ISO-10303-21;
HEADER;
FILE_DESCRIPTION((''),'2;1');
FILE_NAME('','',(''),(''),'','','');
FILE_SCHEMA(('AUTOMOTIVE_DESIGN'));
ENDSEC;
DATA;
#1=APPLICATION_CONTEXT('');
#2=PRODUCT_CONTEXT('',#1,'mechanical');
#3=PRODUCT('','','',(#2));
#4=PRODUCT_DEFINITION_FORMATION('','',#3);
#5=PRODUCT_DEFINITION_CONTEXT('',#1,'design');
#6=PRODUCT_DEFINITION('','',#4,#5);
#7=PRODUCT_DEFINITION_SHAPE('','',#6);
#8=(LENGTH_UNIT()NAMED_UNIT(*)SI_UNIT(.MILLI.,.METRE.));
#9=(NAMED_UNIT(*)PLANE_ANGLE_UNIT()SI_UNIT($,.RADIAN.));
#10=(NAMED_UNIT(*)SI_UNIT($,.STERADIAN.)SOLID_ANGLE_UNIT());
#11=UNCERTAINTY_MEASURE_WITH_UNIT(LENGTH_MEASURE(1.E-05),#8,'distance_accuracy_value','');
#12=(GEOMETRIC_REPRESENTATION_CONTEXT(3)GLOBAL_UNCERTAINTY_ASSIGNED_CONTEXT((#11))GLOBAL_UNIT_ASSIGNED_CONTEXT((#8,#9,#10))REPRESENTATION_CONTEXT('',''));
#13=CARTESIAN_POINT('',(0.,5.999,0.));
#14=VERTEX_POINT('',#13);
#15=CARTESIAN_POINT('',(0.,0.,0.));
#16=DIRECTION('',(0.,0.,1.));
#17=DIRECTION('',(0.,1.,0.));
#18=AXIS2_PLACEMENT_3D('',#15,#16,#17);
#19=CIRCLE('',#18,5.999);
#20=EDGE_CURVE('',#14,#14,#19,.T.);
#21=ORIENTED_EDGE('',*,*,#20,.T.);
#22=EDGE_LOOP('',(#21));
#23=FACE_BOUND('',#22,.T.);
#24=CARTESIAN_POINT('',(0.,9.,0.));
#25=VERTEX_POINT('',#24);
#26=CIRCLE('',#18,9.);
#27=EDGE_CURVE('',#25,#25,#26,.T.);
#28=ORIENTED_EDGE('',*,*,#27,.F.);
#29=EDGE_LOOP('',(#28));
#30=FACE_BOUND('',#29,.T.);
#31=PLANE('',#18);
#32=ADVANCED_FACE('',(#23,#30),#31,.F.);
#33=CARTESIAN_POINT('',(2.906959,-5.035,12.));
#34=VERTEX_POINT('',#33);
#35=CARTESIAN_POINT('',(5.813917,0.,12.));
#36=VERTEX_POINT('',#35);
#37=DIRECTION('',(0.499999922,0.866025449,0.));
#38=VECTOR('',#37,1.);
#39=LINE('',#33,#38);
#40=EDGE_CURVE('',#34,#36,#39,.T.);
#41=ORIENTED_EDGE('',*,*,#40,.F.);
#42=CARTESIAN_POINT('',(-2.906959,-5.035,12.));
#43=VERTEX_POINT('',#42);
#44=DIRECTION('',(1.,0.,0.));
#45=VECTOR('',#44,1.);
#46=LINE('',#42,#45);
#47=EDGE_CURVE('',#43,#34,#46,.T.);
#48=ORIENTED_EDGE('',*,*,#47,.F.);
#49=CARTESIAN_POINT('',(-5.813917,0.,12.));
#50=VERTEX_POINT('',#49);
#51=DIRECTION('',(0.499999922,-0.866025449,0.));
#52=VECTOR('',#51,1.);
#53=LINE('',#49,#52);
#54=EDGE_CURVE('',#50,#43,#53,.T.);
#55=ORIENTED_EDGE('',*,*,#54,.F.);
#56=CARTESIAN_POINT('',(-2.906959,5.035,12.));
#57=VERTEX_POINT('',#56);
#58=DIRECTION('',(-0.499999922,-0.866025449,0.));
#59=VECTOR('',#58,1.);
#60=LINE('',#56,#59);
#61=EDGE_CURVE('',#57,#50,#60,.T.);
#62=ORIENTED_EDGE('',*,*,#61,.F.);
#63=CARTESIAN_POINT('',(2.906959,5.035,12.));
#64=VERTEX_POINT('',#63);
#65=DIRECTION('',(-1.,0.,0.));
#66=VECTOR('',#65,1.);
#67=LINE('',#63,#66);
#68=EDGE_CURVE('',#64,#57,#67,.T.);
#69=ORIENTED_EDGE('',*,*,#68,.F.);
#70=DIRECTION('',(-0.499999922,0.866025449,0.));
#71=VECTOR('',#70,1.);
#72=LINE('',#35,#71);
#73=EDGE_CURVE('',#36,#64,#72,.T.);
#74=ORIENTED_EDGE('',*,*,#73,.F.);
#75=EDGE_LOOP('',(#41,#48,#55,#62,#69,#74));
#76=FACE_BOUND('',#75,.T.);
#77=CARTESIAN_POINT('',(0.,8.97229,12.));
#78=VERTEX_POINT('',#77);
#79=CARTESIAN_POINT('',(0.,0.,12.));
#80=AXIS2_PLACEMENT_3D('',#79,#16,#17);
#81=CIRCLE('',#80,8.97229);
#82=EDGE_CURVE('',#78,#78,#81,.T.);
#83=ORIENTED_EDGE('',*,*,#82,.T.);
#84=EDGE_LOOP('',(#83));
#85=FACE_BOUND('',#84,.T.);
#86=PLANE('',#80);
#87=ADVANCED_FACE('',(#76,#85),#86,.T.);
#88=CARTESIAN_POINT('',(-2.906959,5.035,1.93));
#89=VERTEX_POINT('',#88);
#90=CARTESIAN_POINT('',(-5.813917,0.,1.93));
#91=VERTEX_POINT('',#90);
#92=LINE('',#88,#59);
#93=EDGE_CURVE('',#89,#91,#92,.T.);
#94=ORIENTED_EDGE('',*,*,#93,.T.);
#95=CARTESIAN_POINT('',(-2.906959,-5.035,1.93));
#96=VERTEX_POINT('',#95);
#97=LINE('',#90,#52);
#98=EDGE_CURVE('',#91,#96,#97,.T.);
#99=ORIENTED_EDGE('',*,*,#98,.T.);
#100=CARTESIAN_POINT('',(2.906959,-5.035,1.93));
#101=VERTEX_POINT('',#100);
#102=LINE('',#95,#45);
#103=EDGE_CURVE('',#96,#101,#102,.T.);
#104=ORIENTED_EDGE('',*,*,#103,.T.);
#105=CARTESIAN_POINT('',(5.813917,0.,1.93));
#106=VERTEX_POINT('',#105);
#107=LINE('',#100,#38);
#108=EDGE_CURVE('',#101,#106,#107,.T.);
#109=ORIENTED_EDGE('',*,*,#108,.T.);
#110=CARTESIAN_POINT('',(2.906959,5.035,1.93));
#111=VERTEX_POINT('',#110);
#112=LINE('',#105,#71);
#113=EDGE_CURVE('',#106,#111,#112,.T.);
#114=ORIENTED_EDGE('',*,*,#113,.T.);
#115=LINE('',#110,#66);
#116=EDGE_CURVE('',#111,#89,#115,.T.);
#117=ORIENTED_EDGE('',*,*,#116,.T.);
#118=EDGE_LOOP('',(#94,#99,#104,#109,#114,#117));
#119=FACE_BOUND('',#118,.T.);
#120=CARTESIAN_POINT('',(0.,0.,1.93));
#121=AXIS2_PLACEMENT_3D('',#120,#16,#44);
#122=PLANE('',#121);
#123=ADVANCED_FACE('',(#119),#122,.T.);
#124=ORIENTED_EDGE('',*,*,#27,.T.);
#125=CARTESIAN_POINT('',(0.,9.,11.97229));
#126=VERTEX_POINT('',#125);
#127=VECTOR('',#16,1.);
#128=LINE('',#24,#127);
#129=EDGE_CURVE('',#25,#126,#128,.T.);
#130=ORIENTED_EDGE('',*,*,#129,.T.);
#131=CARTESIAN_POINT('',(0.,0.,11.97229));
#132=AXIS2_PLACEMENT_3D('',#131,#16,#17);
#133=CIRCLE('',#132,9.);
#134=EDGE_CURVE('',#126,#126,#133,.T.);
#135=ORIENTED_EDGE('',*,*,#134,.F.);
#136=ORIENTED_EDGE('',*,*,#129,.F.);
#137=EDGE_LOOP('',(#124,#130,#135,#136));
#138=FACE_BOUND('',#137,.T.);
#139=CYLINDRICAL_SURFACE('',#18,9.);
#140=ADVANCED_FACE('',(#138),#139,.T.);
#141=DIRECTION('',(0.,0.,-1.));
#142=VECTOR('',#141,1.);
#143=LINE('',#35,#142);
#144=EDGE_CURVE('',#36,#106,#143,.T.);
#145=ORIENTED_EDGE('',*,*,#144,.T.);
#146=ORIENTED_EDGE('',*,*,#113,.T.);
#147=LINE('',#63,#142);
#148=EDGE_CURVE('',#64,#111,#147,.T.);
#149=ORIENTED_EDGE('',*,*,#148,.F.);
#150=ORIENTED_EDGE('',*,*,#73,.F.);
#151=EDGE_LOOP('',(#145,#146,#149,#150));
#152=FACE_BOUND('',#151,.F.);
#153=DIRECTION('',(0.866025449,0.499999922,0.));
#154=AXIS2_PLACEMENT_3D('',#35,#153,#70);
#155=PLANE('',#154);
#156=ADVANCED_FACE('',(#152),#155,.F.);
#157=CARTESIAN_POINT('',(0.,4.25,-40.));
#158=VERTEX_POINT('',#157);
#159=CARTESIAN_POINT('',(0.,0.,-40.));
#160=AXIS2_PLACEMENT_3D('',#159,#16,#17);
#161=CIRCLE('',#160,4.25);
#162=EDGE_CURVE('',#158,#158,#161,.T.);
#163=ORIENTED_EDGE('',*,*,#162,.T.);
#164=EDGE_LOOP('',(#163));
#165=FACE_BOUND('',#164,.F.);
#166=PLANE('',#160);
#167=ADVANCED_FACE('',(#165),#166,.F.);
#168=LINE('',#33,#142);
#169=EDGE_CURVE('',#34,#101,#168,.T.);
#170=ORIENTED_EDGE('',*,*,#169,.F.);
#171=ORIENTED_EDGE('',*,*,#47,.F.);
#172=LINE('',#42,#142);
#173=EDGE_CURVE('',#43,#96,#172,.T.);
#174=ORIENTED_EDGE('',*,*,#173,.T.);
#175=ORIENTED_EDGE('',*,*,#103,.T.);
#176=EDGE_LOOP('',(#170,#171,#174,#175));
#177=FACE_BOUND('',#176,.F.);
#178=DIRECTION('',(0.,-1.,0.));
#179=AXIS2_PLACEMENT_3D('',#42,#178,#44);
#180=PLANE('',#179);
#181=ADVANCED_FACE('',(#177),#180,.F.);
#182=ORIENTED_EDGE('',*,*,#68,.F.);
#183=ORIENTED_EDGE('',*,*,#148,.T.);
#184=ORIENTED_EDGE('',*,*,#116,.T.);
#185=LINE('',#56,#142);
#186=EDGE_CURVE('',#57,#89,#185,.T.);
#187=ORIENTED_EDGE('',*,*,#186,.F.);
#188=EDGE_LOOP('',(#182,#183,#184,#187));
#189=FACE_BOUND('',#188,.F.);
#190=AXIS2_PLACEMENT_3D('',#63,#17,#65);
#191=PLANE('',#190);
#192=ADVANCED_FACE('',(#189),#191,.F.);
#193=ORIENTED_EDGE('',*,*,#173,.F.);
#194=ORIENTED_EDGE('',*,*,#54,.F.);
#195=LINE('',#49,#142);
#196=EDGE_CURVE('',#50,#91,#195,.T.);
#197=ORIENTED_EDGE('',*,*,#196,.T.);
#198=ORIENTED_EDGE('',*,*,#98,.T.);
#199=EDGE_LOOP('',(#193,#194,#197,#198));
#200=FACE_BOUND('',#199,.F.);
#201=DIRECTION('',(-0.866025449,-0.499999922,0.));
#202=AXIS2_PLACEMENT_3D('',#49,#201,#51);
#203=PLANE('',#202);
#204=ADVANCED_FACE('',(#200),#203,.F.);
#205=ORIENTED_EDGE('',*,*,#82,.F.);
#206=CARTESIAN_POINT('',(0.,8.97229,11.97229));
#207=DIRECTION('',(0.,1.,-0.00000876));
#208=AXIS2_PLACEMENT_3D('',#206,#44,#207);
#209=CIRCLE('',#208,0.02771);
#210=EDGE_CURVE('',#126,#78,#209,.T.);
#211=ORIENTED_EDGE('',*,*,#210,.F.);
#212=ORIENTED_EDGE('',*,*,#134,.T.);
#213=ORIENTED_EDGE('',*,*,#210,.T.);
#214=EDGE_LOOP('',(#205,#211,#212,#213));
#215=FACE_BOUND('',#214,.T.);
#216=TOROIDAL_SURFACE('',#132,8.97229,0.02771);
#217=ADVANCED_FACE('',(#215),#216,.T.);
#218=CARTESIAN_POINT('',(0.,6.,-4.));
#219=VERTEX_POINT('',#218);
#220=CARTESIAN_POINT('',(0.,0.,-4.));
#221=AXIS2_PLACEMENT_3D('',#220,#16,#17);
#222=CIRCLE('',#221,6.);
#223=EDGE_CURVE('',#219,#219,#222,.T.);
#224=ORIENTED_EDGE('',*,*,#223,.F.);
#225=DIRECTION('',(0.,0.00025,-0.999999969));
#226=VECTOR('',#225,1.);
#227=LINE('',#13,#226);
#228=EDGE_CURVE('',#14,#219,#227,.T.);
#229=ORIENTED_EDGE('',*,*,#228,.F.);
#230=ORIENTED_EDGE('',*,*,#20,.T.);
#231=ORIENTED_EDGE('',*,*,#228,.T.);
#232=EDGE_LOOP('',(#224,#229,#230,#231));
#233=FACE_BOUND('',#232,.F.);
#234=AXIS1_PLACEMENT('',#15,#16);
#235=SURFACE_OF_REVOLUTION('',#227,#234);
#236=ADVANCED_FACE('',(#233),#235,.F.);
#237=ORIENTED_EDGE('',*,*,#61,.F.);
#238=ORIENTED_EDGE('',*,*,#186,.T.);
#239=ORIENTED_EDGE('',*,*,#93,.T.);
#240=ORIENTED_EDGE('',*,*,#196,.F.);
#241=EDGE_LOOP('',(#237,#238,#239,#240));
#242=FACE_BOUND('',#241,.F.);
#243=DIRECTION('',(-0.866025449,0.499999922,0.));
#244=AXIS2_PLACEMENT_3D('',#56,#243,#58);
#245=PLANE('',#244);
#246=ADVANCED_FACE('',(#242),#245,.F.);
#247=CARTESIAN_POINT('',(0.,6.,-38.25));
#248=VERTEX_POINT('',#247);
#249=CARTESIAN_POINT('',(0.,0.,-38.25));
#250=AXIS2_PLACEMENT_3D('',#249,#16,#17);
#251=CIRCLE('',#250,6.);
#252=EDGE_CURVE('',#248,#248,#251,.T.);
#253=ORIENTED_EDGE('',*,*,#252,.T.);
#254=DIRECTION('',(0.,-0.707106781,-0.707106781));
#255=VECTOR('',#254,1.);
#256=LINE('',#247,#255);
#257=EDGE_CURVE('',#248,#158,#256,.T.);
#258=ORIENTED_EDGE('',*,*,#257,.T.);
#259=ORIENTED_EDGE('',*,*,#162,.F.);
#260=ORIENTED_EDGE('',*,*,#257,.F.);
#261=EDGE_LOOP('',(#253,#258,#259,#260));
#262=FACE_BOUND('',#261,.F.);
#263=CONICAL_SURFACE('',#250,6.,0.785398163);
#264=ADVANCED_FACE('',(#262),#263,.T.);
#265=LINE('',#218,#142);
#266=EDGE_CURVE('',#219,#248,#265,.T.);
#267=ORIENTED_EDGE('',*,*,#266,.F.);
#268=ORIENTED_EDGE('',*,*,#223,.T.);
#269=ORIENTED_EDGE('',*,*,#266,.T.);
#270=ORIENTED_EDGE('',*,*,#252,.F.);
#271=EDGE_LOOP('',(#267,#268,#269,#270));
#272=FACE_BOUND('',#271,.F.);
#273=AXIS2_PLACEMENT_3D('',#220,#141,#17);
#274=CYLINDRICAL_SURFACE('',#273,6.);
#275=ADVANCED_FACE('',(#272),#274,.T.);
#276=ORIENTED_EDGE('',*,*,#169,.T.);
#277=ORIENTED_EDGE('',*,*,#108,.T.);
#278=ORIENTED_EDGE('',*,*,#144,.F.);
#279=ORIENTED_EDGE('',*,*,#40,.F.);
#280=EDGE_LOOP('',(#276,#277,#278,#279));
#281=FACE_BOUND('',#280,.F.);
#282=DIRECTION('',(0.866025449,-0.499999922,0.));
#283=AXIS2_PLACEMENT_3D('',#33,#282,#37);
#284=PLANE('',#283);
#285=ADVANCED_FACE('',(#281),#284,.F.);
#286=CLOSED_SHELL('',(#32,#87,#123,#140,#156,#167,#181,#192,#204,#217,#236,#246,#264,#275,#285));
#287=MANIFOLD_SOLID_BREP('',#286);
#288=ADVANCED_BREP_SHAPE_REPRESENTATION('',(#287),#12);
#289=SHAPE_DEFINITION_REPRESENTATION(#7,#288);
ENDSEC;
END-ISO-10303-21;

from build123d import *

# Parameters (mm, degrees)
POCKET_DEPTH = 10.07


with BuildPart() as part:
    # Sketch → Revolve (revolve)
    with BuildSketch(Plane.YZ):
        with BuildLine():
            Line((5.999, 0), (9, 0))
            Line((9, 0), (9, 11.97229))
            ThreePointArc((9, 11.97229), (8.991884, 11.991884), (8.97229, 12))
            Line((8.97229, 12), (0, 12))
            Line((0, -40), (0, 12))
            Line((4.25, -40), (0, -40))
            Line((6, -38.25), (4.25, -40))
            Line((6, -4), (6, -38.25))
            Line((5.999, 0), (6, -4))
        make_face()
    revolve(axis=Axis((0, 0, 0), (0, 0, 1)))

    # Sketch001 → Pocket (cut)
    with BuildSketch(Plane.XY.offset(12)):
        Polygon((5.813917, 0), (2.906959, 5.035), (-2.906959, 5.035), (-5.813917, 0), (-2.906959, -5.035), (2.906959, -5.035), align=None)
    extrude(amount=-POCKET_DEPTH, mode=Mode.SUBTRACT)


solid = part.part
